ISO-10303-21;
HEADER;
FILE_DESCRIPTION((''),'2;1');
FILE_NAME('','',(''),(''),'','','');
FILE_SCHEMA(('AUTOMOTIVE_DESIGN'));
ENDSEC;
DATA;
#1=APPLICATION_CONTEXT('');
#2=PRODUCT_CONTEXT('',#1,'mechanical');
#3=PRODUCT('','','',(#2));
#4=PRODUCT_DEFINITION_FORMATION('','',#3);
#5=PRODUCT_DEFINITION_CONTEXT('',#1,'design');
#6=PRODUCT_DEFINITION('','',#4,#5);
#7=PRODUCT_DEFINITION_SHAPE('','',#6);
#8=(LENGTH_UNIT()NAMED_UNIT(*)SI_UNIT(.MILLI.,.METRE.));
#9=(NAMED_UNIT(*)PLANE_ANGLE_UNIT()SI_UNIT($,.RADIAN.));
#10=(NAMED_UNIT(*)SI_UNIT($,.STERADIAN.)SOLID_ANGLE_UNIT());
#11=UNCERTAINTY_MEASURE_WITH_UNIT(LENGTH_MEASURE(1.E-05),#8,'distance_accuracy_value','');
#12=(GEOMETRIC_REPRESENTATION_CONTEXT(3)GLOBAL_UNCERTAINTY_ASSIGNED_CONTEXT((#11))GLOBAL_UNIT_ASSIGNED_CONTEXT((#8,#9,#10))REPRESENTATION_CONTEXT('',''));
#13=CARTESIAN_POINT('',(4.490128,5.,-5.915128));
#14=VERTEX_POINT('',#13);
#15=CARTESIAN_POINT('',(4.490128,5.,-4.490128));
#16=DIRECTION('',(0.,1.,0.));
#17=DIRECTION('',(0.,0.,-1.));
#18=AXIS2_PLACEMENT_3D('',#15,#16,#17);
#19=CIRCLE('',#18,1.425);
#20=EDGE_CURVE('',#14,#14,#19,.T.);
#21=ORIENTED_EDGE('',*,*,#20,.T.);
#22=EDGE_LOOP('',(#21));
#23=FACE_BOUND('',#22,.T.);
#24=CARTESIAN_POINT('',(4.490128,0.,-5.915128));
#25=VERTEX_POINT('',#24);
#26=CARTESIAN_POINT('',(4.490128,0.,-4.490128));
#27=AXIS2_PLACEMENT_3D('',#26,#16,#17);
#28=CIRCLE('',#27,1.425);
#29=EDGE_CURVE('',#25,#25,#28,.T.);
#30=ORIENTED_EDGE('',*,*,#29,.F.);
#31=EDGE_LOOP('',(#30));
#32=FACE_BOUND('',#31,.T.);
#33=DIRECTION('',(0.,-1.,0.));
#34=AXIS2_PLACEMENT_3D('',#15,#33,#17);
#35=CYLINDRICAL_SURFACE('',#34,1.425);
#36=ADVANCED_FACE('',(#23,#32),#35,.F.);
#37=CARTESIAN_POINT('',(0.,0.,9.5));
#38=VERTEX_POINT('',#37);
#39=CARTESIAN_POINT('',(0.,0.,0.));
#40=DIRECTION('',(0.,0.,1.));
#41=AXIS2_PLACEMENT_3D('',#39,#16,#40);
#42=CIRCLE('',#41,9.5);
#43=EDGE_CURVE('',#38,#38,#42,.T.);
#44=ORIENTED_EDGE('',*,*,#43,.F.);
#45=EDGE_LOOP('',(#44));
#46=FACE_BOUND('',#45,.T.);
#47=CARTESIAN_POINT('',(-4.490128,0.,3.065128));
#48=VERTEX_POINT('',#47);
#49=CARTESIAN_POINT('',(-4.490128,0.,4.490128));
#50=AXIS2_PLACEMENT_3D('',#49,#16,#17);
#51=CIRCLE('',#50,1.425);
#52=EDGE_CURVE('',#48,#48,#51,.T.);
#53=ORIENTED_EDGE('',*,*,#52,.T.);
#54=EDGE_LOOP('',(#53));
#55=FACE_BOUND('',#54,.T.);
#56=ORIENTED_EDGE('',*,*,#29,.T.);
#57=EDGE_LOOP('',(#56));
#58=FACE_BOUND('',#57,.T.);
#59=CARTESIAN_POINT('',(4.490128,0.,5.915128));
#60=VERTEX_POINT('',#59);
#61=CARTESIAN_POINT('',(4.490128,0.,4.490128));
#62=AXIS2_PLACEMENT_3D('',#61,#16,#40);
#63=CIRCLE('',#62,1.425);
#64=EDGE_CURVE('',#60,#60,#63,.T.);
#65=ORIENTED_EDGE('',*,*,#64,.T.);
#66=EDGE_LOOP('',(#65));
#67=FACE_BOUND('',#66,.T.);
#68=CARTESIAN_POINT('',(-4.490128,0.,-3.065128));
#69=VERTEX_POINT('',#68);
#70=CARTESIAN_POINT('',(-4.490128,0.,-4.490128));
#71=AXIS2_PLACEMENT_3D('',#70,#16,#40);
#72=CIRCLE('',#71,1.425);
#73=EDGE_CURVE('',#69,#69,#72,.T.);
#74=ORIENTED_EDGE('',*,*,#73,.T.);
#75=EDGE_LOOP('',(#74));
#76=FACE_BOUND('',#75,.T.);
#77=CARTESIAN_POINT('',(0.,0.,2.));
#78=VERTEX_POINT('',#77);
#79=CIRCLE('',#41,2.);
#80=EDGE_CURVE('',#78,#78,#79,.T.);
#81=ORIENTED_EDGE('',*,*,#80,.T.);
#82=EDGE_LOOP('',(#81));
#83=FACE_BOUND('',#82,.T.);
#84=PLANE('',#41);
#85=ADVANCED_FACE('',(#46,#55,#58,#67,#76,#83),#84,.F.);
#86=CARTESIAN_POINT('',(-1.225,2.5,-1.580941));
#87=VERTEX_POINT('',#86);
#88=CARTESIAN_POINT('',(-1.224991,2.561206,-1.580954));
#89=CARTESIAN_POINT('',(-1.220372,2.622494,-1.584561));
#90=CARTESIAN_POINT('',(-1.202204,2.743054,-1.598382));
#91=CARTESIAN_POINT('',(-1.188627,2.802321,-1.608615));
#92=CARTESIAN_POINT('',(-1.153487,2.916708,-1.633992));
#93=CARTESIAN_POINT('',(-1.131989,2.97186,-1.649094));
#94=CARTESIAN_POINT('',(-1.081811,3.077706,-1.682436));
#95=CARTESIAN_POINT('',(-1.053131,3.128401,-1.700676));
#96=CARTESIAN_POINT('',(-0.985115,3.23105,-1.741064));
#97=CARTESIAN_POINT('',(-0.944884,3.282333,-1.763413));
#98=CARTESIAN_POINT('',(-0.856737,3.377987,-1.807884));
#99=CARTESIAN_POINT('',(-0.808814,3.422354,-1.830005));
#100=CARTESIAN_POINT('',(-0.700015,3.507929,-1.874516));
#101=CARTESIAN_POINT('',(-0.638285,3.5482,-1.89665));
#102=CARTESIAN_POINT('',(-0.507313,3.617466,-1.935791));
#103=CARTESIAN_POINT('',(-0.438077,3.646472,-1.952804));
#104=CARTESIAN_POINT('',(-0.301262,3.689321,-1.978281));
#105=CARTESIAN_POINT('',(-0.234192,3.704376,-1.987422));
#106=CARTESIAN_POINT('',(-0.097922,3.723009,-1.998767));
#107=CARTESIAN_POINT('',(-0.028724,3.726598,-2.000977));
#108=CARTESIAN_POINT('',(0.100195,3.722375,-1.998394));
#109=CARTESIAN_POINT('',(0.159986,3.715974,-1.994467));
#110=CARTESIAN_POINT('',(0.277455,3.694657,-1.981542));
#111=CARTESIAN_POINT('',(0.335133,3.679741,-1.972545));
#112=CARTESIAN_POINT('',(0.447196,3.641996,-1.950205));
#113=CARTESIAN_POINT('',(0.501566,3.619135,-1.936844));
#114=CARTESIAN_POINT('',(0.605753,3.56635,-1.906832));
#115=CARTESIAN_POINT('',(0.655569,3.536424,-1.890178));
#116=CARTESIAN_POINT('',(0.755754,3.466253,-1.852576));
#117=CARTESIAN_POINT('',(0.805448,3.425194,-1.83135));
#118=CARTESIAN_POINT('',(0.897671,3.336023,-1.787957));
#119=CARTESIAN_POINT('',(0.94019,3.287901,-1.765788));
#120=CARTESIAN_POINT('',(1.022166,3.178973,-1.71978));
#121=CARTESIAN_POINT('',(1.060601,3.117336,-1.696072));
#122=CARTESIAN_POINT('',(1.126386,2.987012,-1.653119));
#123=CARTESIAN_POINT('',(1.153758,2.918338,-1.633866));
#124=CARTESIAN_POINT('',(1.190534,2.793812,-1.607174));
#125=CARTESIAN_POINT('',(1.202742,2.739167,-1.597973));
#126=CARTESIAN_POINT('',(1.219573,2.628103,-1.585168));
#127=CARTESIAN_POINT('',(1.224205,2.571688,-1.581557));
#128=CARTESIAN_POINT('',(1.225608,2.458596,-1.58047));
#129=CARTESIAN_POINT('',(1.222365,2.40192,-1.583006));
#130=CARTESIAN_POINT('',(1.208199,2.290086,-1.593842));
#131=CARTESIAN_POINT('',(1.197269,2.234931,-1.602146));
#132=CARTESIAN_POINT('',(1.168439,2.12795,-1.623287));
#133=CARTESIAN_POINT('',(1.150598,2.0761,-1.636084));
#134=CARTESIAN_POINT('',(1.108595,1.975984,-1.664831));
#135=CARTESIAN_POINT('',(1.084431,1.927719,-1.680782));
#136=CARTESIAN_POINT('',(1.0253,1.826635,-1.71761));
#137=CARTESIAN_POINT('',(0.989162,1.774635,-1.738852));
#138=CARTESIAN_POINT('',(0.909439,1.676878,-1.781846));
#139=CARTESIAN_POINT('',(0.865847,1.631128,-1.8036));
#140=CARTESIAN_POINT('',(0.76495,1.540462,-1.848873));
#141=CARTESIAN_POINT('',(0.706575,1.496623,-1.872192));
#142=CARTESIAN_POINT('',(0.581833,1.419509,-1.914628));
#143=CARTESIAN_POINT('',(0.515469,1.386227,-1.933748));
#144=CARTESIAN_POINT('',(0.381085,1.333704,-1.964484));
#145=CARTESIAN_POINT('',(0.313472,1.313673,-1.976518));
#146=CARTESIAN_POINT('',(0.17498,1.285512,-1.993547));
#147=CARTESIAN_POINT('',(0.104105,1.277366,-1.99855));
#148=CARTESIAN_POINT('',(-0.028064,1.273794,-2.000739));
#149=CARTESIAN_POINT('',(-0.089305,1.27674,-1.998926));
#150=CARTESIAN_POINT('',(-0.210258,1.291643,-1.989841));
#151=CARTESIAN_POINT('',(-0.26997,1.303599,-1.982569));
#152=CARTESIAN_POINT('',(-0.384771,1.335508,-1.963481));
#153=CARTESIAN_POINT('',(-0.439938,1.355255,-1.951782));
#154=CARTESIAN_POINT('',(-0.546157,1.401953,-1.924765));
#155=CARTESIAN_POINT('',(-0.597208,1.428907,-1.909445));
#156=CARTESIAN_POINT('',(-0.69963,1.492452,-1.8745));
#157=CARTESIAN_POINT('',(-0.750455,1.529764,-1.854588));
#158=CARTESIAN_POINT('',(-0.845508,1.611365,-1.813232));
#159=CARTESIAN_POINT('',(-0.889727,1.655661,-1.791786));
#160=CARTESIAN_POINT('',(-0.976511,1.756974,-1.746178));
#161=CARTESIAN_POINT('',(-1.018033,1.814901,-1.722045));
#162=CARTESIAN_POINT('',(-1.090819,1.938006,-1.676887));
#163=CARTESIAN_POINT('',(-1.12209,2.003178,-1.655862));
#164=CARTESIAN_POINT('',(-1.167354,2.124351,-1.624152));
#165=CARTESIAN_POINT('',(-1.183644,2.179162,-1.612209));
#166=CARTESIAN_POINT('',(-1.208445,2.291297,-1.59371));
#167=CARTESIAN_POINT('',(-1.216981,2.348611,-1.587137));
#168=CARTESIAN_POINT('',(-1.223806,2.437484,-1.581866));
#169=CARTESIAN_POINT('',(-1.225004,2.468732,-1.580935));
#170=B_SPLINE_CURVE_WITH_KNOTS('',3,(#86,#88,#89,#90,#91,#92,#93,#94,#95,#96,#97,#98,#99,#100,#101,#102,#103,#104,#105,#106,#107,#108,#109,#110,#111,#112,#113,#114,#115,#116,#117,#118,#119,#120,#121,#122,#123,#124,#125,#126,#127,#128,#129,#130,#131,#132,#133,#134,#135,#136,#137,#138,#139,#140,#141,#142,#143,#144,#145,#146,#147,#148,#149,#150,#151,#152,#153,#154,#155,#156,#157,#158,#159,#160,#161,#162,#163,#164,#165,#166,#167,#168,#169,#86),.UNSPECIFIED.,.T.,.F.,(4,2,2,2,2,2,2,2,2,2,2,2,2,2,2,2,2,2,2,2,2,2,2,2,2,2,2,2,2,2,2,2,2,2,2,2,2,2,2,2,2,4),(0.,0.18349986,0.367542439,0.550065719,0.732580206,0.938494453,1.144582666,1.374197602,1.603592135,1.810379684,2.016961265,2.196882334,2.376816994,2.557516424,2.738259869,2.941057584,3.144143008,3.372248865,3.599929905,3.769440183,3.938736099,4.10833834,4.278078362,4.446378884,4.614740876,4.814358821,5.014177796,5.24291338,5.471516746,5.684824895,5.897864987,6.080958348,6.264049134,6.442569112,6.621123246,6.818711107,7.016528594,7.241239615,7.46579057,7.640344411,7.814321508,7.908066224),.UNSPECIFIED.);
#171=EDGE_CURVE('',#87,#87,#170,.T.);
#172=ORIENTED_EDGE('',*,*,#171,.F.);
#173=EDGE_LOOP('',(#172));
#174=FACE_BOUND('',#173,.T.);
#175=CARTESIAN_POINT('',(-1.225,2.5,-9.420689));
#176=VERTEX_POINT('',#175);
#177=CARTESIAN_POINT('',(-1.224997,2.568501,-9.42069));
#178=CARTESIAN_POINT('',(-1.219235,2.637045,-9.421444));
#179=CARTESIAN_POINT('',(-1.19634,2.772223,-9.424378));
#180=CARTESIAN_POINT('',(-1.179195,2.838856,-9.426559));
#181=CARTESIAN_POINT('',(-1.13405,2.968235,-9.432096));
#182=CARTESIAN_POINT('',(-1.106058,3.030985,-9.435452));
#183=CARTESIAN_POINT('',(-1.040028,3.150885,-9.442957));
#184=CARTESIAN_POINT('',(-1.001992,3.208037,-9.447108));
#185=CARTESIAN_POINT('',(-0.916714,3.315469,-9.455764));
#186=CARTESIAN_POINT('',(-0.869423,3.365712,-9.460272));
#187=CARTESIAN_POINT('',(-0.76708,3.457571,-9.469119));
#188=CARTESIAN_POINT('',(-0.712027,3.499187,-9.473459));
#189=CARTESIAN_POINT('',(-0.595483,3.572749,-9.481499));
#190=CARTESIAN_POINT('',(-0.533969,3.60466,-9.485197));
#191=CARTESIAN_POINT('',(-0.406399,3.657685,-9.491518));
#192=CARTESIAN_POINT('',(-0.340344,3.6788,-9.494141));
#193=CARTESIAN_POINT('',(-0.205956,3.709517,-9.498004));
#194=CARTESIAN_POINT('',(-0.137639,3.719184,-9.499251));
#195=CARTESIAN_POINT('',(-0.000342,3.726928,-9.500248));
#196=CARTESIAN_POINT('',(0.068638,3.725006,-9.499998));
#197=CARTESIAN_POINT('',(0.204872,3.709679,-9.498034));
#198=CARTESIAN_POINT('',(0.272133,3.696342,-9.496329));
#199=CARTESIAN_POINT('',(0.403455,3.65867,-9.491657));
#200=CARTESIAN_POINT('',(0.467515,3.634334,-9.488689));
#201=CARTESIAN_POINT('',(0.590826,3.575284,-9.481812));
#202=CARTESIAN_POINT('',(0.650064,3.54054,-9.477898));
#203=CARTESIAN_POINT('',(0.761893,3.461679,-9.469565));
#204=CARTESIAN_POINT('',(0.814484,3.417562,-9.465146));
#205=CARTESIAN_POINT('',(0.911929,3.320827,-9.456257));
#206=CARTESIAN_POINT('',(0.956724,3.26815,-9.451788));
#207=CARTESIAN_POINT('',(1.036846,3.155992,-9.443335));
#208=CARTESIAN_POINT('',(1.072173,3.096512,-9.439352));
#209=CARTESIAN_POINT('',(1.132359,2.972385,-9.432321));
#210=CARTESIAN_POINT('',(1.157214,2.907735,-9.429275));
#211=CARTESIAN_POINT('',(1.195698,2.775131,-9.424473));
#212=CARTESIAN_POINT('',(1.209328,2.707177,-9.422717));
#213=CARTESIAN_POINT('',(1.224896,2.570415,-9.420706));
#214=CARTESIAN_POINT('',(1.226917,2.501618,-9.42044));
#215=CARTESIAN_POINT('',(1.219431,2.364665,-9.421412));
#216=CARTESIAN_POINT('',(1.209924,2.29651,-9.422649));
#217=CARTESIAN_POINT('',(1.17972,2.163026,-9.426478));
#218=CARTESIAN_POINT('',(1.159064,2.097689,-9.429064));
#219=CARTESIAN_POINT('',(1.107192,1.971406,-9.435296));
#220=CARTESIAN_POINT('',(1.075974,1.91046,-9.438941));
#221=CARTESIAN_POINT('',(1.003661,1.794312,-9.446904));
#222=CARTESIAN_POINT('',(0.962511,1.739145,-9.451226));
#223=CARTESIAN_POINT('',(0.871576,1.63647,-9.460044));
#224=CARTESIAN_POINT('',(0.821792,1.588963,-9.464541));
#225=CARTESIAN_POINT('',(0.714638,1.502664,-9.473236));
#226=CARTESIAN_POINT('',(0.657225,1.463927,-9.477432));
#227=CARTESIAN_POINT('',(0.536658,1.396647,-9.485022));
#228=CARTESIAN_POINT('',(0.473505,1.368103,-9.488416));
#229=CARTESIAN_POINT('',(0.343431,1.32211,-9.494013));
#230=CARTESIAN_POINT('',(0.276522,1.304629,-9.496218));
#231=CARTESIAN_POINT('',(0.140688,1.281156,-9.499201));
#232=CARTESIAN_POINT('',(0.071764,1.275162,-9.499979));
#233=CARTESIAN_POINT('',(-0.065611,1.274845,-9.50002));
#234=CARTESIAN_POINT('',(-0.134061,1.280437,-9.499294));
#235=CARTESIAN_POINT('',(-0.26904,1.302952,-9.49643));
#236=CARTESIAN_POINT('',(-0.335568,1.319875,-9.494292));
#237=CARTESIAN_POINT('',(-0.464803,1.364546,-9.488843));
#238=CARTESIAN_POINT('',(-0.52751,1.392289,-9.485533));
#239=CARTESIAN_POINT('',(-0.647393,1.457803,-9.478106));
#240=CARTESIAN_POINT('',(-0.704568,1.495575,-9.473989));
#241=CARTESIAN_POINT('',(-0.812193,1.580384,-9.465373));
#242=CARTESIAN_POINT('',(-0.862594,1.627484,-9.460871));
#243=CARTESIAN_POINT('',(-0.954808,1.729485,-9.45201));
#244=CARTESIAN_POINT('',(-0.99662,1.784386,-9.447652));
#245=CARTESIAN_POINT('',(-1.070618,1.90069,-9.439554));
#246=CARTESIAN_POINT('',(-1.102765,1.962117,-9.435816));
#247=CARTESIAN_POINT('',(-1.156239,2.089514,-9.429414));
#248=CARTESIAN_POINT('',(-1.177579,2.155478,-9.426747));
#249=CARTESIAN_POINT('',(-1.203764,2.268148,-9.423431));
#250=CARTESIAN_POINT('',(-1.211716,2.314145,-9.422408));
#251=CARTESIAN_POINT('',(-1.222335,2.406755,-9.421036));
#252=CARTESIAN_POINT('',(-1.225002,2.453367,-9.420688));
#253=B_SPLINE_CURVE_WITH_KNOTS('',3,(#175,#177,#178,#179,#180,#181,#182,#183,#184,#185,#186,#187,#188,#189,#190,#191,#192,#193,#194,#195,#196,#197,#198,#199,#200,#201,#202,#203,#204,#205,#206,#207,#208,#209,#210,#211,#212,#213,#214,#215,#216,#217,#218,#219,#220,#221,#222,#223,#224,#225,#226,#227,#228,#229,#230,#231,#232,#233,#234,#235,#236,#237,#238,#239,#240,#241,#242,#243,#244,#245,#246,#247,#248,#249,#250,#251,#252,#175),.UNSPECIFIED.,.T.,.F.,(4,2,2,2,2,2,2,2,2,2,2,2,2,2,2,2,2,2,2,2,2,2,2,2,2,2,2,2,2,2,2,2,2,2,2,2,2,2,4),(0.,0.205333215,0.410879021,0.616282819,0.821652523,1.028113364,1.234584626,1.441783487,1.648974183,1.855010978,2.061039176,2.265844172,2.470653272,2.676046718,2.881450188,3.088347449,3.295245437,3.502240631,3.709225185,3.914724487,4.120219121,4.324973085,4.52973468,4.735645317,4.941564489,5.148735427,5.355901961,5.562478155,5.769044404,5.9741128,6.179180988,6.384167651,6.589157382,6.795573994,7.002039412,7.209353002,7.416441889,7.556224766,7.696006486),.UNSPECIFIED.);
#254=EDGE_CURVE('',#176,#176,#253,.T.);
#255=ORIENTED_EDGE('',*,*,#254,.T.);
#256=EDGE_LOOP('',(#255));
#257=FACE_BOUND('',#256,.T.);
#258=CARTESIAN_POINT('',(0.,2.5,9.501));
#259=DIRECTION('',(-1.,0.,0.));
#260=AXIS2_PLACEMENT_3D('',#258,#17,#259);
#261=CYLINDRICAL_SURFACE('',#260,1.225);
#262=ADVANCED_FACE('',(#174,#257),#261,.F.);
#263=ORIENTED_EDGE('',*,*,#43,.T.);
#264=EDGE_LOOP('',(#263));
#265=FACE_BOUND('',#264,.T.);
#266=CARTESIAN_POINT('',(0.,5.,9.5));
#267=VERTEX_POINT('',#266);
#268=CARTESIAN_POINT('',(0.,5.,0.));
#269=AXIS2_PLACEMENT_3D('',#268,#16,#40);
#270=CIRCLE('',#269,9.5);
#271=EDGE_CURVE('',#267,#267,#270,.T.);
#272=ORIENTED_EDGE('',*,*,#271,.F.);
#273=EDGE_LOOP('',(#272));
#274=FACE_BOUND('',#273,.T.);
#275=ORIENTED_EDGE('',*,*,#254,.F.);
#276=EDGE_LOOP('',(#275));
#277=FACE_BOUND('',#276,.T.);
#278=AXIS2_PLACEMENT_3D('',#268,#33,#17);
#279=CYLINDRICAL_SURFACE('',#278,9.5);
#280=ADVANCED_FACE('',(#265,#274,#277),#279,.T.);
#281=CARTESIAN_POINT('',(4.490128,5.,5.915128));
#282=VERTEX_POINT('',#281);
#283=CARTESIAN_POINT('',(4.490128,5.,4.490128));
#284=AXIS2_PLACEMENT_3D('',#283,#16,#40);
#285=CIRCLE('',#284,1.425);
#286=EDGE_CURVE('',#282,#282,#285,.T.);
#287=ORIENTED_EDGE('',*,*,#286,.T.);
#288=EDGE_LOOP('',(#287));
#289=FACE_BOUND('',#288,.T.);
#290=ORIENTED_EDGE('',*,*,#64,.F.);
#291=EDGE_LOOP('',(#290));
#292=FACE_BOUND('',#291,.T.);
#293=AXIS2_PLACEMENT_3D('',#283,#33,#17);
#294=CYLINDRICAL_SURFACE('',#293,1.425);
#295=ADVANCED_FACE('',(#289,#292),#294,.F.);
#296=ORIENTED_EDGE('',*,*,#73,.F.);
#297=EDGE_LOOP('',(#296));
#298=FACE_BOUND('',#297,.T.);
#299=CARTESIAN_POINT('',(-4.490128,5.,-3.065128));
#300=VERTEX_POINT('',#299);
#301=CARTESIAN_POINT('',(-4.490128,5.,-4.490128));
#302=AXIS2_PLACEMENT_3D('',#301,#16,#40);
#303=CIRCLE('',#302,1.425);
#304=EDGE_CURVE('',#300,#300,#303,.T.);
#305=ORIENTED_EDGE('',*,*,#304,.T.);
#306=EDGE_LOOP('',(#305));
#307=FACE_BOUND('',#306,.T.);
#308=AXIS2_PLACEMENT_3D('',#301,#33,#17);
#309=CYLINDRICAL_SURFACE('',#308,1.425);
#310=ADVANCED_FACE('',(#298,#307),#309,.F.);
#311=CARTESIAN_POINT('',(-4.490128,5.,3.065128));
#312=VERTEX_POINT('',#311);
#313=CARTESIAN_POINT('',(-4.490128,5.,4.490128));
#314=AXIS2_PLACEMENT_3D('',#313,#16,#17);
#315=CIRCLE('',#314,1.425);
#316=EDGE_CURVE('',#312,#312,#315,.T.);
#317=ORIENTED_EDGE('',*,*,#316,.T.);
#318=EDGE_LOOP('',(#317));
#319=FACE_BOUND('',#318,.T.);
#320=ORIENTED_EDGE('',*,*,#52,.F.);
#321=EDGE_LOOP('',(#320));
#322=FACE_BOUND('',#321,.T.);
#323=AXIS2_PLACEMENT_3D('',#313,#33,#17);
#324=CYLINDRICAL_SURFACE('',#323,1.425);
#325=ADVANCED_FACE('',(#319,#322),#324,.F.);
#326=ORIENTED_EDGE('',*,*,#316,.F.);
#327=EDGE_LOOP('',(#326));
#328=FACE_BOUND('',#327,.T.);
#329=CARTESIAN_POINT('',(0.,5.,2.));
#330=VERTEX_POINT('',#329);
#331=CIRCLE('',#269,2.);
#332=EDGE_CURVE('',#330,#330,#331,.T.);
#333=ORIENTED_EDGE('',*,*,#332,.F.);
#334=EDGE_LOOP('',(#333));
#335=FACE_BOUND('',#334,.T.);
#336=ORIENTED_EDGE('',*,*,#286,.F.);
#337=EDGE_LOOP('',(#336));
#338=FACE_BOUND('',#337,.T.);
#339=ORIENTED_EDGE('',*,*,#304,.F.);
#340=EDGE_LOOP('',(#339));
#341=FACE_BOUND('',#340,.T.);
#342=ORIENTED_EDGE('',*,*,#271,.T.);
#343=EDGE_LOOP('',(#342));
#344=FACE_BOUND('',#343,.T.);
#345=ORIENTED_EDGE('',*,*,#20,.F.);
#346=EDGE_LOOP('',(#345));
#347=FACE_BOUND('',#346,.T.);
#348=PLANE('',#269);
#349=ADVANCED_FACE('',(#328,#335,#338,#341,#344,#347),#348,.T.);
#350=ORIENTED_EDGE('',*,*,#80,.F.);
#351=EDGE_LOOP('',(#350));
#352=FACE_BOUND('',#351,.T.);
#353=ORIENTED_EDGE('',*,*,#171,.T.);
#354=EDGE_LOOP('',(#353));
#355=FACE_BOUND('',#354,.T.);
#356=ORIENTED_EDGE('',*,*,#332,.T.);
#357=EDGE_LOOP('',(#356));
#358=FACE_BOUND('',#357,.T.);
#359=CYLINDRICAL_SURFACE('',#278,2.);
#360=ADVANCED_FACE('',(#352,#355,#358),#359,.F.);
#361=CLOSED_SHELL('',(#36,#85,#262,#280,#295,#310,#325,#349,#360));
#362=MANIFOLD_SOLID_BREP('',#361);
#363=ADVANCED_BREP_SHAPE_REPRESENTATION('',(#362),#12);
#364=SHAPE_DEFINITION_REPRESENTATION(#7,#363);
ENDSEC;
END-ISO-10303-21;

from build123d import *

# Parameters (mm, degrees)
SKETCH1_R           = 9.5
SKETCH1_R_2         = 2
SKETCH1_R_3         = 1.425
BOSS_EXTRUDE1_DEPTH = 5
CUT_EXTRUDE1_REACH  = 21
SKETCH2_R           = 1.225


with BuildPart() as part:
    # Sketch1 → Boss-Extrude1 (new body)
    with BuildSketch(Plane(origin=(0, 0, 0), x_dir=(1, 0, 0), z_dir=(0, 1, 0))):
        Circle(SKETCH1_R)
        Circle(SKETCH1_R_2, mode=Mode.SUBTRACT)
        with Locations((-4.490128061, 4.490128061)):
            Circle(SKETCH1_R_3, mode=Mode.SUBTRACT)
        with Locations((4.490128061, 4.490128061)):
            Circle(SKETCH1_R_3, mode=Mode.SUBTRACT)
        with Locations((4.490128061, -4.490128061)):
            Circle(SKETCH1_R_3, mode=Mode.SUBTRACT)
        with Locations((-4.490128061, -4.490128061)):
            Circle(SKETCH1_R_3, mode=Mode.SUBTRACT)
    extrude(amount=BOSS_EXTRUDE1_DEPTH)

    # Sketch2 → Cut-Extrude1 (cut, up to next)
    with BuildSketch(Plane(origin=(0, 0, -9.5), x_dir=(-1, 0, 0), z_dir=(0, 0, -1)), mode=Mode.PRIVATE) as cut_extrude1_sk1:
        with Locations((0, 2.5)):
            Circle(SKETCH2_R)
    cut_extrude1_tool1 = extrude(cut_extrude1_sk1.sketch, amount=-CUT_EXTRUDE1_REACH, mode=Mode.PRIVATE) & part.part
    add(cut_extrude1_tool1.solids().sort_by_distance((0, 2.5, -9.5))[0], mode=Mode.SUBTRACT)


solid = part.part
